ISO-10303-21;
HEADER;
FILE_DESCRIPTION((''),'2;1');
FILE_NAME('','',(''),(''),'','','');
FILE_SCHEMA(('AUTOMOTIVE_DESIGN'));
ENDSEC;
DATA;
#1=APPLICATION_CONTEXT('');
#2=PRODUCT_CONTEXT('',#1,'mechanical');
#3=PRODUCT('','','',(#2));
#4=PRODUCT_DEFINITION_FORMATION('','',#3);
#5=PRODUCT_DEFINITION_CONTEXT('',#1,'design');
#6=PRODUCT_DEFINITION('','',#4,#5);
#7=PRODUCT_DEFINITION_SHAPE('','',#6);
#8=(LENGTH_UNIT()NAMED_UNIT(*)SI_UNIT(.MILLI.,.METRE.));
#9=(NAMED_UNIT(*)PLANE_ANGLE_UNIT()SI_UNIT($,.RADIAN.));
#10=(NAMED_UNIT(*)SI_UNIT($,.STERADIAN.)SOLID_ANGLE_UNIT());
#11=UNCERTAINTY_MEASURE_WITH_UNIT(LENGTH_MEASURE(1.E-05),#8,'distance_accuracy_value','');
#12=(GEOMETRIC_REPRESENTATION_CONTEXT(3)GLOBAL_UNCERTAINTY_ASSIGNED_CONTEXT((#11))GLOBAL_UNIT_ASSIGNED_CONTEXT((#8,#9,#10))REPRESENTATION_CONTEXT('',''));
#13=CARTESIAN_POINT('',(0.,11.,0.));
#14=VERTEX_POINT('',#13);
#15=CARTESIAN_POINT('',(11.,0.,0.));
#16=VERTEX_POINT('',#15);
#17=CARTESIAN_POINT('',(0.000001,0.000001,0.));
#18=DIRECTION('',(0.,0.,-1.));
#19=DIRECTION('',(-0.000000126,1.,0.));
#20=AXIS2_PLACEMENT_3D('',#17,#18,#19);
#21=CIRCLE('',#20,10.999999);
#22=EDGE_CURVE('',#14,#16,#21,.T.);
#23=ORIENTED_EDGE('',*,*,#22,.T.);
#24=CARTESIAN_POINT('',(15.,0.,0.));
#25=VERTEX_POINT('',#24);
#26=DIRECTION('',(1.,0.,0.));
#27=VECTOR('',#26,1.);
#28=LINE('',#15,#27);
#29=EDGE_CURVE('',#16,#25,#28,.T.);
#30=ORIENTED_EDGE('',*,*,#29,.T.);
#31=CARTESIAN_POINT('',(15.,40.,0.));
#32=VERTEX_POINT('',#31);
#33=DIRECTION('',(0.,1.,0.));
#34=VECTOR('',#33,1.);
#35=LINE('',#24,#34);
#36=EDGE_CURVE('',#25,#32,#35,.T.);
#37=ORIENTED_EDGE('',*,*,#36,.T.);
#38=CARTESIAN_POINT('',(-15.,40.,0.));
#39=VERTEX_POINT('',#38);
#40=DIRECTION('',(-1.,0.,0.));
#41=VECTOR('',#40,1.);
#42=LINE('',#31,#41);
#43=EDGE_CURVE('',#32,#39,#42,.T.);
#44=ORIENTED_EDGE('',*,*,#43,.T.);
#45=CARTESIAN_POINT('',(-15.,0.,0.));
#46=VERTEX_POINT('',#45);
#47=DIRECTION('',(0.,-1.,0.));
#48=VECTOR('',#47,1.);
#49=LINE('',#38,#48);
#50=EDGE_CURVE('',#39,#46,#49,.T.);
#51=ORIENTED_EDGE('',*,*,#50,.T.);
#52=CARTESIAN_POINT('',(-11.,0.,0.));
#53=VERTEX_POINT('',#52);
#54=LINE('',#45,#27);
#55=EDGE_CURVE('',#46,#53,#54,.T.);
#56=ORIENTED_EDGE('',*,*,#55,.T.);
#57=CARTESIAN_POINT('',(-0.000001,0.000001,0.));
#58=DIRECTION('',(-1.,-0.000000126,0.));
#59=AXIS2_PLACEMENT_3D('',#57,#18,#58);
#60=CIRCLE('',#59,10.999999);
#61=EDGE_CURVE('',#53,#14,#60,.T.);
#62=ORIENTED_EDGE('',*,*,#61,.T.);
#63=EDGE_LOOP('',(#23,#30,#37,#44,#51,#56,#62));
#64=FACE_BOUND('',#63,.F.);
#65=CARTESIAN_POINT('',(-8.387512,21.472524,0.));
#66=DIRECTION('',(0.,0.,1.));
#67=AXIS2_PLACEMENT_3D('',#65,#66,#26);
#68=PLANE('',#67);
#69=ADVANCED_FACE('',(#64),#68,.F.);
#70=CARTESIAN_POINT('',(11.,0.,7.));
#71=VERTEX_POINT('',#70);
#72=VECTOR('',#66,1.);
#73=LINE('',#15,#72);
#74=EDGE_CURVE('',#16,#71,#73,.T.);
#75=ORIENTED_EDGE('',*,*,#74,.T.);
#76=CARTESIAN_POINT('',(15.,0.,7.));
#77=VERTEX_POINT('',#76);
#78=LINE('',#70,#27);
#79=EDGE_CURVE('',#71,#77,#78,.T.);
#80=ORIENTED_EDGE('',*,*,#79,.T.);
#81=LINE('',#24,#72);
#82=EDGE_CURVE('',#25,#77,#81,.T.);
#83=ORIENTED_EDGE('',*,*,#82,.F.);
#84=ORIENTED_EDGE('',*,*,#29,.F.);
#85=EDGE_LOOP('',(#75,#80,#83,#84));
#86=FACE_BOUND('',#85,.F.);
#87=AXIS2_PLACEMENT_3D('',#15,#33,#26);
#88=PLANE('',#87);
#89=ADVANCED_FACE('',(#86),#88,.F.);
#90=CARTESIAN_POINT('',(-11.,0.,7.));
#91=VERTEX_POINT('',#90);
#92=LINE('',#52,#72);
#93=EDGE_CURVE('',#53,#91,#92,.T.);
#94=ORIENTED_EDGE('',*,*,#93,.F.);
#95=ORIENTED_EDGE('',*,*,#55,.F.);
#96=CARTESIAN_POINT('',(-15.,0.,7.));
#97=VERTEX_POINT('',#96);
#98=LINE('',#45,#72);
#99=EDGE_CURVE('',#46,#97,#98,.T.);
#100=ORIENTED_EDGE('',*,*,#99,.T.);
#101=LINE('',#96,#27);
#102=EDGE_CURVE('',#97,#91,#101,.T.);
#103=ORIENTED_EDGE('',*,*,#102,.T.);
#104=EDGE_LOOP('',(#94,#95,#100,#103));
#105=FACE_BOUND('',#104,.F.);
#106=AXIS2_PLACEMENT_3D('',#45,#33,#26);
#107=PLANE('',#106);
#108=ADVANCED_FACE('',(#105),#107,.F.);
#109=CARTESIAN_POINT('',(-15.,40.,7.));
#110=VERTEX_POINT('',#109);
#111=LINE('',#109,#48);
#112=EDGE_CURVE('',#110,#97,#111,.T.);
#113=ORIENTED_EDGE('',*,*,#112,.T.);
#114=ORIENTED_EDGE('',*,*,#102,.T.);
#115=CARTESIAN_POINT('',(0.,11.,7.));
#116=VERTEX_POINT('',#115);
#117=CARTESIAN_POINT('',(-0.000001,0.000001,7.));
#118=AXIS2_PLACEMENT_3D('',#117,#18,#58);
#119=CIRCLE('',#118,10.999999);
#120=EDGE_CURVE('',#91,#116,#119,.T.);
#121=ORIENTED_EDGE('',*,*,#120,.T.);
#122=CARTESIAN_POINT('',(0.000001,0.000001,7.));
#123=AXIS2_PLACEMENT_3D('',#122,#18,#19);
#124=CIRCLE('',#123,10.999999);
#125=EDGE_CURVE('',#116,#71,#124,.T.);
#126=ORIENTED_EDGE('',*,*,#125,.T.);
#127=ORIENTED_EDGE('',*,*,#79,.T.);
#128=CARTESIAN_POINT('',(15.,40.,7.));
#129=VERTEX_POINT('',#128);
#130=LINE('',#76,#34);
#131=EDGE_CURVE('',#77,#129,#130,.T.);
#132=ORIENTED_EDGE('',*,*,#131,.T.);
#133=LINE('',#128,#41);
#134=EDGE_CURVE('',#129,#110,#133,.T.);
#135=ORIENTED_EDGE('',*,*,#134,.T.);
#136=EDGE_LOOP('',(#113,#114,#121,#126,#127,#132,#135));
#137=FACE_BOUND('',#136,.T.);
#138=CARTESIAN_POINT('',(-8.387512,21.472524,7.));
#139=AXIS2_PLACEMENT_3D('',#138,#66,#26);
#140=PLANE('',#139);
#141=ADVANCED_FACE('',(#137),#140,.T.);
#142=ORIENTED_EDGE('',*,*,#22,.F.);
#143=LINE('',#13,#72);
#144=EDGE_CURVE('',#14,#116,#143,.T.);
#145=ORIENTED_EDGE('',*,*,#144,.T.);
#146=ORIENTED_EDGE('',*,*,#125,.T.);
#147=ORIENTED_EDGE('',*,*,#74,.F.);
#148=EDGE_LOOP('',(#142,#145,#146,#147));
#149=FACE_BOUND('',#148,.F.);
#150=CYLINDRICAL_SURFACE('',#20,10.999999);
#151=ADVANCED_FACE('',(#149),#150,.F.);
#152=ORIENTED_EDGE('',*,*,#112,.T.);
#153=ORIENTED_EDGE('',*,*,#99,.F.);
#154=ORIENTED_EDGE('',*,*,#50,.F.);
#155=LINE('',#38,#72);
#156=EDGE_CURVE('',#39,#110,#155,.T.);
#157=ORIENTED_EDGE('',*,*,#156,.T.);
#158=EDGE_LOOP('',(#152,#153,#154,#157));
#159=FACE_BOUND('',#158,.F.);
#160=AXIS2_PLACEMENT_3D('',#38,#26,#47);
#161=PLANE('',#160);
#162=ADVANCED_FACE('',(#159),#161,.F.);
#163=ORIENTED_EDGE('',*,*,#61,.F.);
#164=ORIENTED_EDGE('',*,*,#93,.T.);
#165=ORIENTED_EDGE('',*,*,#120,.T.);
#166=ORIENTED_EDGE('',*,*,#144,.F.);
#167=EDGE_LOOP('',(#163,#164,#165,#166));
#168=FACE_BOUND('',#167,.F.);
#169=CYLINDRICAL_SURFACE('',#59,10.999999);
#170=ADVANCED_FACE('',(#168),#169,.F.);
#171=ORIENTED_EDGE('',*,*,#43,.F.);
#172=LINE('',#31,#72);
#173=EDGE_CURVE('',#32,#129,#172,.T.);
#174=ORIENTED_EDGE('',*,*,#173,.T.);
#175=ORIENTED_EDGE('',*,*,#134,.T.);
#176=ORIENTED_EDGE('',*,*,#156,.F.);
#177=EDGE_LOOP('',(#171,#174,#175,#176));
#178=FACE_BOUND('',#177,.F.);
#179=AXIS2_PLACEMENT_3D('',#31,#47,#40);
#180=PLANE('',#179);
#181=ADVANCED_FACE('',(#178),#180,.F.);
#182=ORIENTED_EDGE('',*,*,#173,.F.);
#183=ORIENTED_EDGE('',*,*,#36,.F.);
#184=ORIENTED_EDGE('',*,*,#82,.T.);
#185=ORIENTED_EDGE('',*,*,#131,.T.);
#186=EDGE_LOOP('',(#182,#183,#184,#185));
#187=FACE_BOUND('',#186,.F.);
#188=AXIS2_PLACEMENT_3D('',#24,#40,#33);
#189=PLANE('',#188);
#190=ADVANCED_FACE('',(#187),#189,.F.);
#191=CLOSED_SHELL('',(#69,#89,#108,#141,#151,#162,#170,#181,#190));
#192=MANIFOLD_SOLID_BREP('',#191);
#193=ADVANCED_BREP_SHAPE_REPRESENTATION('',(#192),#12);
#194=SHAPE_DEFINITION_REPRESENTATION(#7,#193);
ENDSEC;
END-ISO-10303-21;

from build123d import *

# Parameters (mm, degrees)
F1_DEPTH = 7


with BuildPart() as f1:
    # F0 (on Top) → F1 (new body)
    with BuildSketch(Plane.XY):
        with BuildLine():
            ThreePointArc((-11, 0), (-7.778175, 7.778175), (0, 11))
            Line((0, 11), (0, 40))
            Line((0, 40), (-15, 40))
            Line((-15, 40), (-15, 0))
            Line((-15, 0), (-11, 0))
        make_face()
        with BuildLine():
            ThreePointArc((0, 11), (7.778175, 7.778175), (11, 0))
            Line((11, 0), (15, 0))
            Line((15, 0), (15, 40))
            Line((15, 40), (0, 40))
            Line((0, 40), (0, 11))
        make_face()
    extrude(amount=F1_DEPTH)


solid = f1.part
